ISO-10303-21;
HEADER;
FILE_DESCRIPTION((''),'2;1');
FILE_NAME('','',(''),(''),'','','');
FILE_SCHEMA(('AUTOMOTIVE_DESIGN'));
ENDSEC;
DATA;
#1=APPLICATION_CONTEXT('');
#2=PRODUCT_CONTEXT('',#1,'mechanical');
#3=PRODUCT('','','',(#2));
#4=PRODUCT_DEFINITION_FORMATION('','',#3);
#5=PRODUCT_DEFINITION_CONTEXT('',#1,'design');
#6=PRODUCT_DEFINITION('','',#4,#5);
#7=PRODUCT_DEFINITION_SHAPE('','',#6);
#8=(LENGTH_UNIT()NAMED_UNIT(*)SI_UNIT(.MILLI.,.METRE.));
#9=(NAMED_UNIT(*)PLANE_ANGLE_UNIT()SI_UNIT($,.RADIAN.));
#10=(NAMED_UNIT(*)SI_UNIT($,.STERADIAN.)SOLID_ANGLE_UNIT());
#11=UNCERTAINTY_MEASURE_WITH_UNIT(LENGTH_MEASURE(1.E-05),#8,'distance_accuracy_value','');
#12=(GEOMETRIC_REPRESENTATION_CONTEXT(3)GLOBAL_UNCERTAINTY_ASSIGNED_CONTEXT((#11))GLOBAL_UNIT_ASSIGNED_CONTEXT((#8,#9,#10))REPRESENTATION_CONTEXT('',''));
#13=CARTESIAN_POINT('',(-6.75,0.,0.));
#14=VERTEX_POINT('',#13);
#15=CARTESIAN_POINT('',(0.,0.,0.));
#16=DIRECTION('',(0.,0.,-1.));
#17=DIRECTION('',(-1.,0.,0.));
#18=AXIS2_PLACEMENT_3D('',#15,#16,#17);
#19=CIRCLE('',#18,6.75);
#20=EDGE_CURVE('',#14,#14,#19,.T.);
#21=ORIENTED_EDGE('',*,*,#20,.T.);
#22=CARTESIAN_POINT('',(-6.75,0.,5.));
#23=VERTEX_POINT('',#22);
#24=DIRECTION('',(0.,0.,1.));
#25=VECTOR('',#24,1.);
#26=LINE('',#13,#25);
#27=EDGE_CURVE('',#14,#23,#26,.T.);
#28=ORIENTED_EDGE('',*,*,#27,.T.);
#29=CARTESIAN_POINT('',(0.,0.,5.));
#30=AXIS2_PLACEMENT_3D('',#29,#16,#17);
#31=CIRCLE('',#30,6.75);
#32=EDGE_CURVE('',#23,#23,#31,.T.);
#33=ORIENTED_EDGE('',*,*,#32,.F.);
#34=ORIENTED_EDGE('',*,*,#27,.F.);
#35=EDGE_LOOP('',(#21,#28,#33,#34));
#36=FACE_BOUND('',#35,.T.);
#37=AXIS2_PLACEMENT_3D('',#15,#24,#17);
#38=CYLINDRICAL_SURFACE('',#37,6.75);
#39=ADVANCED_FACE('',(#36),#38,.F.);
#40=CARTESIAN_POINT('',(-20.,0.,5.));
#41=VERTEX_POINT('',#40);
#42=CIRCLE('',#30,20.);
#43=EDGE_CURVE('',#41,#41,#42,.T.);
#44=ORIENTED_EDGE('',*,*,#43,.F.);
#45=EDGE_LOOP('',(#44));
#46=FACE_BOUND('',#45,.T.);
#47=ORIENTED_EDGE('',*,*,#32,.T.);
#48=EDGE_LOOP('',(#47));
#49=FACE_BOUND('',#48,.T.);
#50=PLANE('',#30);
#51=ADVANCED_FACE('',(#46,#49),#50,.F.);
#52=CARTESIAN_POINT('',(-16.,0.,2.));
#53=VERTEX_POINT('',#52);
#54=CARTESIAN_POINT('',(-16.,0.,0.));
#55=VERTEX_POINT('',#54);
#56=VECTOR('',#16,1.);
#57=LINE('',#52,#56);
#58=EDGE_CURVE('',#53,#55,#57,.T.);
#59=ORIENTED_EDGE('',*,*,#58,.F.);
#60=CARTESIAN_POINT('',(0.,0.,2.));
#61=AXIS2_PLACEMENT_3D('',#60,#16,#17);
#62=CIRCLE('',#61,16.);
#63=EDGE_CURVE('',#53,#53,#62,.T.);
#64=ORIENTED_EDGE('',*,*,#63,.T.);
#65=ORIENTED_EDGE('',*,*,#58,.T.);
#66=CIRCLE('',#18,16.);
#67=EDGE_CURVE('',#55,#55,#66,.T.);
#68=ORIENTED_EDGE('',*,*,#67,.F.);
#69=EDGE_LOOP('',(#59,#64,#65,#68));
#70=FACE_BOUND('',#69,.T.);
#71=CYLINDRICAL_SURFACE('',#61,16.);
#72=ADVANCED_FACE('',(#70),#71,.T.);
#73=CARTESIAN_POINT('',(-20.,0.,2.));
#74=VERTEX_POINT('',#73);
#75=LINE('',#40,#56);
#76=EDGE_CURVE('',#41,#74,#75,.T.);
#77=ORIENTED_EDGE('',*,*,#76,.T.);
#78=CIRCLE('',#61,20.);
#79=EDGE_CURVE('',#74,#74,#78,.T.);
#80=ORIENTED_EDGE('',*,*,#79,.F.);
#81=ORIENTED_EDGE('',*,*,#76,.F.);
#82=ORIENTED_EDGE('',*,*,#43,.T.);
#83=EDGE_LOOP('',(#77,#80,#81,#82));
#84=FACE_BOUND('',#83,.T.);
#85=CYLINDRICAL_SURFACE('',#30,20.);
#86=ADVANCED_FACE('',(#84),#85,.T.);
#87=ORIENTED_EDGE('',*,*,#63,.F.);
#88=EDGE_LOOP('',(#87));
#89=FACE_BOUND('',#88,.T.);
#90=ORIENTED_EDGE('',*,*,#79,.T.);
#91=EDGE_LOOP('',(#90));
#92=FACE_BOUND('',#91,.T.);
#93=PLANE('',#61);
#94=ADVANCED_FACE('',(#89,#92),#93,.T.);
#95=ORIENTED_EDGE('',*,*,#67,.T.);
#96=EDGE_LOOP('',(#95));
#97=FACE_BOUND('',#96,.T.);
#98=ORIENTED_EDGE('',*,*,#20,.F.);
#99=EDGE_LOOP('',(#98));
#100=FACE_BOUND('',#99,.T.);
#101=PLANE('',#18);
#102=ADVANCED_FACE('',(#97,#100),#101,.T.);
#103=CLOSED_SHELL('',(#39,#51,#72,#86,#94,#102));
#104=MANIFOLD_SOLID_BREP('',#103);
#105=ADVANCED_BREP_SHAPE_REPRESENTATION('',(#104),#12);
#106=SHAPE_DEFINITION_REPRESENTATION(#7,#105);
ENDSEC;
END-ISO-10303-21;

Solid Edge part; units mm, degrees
sketch "Sketch1" plane through (0, 0, 0) normal (0, -1, 0) x (1, 0, 0)
  line L0 (-6.75, 0) -> (-6.75, 5)
  line L1 (-6.75, 5) -> (-20, 5)
  line L2 (-20, 5) -> (-20, 2)
  line L3 (-20, 2) -> (-16, 2)
  line L4 (-16, 2) -> (-16, 0)
  line L5 (-16, 0) -> (-6.75, 0)
  dimension "D1" = 2
  dimension "D2" = 5
  dimension "D3" = 16
  dimension "D4" = 6.75
  dimension "D5" = 20
revolve "RevolvedProtrusion1" add sketch "Sketch1" angle 360 about axis through (0, 0, 54) along (0, 0, -1)
properties material "Aluminum, 6061-T6"
